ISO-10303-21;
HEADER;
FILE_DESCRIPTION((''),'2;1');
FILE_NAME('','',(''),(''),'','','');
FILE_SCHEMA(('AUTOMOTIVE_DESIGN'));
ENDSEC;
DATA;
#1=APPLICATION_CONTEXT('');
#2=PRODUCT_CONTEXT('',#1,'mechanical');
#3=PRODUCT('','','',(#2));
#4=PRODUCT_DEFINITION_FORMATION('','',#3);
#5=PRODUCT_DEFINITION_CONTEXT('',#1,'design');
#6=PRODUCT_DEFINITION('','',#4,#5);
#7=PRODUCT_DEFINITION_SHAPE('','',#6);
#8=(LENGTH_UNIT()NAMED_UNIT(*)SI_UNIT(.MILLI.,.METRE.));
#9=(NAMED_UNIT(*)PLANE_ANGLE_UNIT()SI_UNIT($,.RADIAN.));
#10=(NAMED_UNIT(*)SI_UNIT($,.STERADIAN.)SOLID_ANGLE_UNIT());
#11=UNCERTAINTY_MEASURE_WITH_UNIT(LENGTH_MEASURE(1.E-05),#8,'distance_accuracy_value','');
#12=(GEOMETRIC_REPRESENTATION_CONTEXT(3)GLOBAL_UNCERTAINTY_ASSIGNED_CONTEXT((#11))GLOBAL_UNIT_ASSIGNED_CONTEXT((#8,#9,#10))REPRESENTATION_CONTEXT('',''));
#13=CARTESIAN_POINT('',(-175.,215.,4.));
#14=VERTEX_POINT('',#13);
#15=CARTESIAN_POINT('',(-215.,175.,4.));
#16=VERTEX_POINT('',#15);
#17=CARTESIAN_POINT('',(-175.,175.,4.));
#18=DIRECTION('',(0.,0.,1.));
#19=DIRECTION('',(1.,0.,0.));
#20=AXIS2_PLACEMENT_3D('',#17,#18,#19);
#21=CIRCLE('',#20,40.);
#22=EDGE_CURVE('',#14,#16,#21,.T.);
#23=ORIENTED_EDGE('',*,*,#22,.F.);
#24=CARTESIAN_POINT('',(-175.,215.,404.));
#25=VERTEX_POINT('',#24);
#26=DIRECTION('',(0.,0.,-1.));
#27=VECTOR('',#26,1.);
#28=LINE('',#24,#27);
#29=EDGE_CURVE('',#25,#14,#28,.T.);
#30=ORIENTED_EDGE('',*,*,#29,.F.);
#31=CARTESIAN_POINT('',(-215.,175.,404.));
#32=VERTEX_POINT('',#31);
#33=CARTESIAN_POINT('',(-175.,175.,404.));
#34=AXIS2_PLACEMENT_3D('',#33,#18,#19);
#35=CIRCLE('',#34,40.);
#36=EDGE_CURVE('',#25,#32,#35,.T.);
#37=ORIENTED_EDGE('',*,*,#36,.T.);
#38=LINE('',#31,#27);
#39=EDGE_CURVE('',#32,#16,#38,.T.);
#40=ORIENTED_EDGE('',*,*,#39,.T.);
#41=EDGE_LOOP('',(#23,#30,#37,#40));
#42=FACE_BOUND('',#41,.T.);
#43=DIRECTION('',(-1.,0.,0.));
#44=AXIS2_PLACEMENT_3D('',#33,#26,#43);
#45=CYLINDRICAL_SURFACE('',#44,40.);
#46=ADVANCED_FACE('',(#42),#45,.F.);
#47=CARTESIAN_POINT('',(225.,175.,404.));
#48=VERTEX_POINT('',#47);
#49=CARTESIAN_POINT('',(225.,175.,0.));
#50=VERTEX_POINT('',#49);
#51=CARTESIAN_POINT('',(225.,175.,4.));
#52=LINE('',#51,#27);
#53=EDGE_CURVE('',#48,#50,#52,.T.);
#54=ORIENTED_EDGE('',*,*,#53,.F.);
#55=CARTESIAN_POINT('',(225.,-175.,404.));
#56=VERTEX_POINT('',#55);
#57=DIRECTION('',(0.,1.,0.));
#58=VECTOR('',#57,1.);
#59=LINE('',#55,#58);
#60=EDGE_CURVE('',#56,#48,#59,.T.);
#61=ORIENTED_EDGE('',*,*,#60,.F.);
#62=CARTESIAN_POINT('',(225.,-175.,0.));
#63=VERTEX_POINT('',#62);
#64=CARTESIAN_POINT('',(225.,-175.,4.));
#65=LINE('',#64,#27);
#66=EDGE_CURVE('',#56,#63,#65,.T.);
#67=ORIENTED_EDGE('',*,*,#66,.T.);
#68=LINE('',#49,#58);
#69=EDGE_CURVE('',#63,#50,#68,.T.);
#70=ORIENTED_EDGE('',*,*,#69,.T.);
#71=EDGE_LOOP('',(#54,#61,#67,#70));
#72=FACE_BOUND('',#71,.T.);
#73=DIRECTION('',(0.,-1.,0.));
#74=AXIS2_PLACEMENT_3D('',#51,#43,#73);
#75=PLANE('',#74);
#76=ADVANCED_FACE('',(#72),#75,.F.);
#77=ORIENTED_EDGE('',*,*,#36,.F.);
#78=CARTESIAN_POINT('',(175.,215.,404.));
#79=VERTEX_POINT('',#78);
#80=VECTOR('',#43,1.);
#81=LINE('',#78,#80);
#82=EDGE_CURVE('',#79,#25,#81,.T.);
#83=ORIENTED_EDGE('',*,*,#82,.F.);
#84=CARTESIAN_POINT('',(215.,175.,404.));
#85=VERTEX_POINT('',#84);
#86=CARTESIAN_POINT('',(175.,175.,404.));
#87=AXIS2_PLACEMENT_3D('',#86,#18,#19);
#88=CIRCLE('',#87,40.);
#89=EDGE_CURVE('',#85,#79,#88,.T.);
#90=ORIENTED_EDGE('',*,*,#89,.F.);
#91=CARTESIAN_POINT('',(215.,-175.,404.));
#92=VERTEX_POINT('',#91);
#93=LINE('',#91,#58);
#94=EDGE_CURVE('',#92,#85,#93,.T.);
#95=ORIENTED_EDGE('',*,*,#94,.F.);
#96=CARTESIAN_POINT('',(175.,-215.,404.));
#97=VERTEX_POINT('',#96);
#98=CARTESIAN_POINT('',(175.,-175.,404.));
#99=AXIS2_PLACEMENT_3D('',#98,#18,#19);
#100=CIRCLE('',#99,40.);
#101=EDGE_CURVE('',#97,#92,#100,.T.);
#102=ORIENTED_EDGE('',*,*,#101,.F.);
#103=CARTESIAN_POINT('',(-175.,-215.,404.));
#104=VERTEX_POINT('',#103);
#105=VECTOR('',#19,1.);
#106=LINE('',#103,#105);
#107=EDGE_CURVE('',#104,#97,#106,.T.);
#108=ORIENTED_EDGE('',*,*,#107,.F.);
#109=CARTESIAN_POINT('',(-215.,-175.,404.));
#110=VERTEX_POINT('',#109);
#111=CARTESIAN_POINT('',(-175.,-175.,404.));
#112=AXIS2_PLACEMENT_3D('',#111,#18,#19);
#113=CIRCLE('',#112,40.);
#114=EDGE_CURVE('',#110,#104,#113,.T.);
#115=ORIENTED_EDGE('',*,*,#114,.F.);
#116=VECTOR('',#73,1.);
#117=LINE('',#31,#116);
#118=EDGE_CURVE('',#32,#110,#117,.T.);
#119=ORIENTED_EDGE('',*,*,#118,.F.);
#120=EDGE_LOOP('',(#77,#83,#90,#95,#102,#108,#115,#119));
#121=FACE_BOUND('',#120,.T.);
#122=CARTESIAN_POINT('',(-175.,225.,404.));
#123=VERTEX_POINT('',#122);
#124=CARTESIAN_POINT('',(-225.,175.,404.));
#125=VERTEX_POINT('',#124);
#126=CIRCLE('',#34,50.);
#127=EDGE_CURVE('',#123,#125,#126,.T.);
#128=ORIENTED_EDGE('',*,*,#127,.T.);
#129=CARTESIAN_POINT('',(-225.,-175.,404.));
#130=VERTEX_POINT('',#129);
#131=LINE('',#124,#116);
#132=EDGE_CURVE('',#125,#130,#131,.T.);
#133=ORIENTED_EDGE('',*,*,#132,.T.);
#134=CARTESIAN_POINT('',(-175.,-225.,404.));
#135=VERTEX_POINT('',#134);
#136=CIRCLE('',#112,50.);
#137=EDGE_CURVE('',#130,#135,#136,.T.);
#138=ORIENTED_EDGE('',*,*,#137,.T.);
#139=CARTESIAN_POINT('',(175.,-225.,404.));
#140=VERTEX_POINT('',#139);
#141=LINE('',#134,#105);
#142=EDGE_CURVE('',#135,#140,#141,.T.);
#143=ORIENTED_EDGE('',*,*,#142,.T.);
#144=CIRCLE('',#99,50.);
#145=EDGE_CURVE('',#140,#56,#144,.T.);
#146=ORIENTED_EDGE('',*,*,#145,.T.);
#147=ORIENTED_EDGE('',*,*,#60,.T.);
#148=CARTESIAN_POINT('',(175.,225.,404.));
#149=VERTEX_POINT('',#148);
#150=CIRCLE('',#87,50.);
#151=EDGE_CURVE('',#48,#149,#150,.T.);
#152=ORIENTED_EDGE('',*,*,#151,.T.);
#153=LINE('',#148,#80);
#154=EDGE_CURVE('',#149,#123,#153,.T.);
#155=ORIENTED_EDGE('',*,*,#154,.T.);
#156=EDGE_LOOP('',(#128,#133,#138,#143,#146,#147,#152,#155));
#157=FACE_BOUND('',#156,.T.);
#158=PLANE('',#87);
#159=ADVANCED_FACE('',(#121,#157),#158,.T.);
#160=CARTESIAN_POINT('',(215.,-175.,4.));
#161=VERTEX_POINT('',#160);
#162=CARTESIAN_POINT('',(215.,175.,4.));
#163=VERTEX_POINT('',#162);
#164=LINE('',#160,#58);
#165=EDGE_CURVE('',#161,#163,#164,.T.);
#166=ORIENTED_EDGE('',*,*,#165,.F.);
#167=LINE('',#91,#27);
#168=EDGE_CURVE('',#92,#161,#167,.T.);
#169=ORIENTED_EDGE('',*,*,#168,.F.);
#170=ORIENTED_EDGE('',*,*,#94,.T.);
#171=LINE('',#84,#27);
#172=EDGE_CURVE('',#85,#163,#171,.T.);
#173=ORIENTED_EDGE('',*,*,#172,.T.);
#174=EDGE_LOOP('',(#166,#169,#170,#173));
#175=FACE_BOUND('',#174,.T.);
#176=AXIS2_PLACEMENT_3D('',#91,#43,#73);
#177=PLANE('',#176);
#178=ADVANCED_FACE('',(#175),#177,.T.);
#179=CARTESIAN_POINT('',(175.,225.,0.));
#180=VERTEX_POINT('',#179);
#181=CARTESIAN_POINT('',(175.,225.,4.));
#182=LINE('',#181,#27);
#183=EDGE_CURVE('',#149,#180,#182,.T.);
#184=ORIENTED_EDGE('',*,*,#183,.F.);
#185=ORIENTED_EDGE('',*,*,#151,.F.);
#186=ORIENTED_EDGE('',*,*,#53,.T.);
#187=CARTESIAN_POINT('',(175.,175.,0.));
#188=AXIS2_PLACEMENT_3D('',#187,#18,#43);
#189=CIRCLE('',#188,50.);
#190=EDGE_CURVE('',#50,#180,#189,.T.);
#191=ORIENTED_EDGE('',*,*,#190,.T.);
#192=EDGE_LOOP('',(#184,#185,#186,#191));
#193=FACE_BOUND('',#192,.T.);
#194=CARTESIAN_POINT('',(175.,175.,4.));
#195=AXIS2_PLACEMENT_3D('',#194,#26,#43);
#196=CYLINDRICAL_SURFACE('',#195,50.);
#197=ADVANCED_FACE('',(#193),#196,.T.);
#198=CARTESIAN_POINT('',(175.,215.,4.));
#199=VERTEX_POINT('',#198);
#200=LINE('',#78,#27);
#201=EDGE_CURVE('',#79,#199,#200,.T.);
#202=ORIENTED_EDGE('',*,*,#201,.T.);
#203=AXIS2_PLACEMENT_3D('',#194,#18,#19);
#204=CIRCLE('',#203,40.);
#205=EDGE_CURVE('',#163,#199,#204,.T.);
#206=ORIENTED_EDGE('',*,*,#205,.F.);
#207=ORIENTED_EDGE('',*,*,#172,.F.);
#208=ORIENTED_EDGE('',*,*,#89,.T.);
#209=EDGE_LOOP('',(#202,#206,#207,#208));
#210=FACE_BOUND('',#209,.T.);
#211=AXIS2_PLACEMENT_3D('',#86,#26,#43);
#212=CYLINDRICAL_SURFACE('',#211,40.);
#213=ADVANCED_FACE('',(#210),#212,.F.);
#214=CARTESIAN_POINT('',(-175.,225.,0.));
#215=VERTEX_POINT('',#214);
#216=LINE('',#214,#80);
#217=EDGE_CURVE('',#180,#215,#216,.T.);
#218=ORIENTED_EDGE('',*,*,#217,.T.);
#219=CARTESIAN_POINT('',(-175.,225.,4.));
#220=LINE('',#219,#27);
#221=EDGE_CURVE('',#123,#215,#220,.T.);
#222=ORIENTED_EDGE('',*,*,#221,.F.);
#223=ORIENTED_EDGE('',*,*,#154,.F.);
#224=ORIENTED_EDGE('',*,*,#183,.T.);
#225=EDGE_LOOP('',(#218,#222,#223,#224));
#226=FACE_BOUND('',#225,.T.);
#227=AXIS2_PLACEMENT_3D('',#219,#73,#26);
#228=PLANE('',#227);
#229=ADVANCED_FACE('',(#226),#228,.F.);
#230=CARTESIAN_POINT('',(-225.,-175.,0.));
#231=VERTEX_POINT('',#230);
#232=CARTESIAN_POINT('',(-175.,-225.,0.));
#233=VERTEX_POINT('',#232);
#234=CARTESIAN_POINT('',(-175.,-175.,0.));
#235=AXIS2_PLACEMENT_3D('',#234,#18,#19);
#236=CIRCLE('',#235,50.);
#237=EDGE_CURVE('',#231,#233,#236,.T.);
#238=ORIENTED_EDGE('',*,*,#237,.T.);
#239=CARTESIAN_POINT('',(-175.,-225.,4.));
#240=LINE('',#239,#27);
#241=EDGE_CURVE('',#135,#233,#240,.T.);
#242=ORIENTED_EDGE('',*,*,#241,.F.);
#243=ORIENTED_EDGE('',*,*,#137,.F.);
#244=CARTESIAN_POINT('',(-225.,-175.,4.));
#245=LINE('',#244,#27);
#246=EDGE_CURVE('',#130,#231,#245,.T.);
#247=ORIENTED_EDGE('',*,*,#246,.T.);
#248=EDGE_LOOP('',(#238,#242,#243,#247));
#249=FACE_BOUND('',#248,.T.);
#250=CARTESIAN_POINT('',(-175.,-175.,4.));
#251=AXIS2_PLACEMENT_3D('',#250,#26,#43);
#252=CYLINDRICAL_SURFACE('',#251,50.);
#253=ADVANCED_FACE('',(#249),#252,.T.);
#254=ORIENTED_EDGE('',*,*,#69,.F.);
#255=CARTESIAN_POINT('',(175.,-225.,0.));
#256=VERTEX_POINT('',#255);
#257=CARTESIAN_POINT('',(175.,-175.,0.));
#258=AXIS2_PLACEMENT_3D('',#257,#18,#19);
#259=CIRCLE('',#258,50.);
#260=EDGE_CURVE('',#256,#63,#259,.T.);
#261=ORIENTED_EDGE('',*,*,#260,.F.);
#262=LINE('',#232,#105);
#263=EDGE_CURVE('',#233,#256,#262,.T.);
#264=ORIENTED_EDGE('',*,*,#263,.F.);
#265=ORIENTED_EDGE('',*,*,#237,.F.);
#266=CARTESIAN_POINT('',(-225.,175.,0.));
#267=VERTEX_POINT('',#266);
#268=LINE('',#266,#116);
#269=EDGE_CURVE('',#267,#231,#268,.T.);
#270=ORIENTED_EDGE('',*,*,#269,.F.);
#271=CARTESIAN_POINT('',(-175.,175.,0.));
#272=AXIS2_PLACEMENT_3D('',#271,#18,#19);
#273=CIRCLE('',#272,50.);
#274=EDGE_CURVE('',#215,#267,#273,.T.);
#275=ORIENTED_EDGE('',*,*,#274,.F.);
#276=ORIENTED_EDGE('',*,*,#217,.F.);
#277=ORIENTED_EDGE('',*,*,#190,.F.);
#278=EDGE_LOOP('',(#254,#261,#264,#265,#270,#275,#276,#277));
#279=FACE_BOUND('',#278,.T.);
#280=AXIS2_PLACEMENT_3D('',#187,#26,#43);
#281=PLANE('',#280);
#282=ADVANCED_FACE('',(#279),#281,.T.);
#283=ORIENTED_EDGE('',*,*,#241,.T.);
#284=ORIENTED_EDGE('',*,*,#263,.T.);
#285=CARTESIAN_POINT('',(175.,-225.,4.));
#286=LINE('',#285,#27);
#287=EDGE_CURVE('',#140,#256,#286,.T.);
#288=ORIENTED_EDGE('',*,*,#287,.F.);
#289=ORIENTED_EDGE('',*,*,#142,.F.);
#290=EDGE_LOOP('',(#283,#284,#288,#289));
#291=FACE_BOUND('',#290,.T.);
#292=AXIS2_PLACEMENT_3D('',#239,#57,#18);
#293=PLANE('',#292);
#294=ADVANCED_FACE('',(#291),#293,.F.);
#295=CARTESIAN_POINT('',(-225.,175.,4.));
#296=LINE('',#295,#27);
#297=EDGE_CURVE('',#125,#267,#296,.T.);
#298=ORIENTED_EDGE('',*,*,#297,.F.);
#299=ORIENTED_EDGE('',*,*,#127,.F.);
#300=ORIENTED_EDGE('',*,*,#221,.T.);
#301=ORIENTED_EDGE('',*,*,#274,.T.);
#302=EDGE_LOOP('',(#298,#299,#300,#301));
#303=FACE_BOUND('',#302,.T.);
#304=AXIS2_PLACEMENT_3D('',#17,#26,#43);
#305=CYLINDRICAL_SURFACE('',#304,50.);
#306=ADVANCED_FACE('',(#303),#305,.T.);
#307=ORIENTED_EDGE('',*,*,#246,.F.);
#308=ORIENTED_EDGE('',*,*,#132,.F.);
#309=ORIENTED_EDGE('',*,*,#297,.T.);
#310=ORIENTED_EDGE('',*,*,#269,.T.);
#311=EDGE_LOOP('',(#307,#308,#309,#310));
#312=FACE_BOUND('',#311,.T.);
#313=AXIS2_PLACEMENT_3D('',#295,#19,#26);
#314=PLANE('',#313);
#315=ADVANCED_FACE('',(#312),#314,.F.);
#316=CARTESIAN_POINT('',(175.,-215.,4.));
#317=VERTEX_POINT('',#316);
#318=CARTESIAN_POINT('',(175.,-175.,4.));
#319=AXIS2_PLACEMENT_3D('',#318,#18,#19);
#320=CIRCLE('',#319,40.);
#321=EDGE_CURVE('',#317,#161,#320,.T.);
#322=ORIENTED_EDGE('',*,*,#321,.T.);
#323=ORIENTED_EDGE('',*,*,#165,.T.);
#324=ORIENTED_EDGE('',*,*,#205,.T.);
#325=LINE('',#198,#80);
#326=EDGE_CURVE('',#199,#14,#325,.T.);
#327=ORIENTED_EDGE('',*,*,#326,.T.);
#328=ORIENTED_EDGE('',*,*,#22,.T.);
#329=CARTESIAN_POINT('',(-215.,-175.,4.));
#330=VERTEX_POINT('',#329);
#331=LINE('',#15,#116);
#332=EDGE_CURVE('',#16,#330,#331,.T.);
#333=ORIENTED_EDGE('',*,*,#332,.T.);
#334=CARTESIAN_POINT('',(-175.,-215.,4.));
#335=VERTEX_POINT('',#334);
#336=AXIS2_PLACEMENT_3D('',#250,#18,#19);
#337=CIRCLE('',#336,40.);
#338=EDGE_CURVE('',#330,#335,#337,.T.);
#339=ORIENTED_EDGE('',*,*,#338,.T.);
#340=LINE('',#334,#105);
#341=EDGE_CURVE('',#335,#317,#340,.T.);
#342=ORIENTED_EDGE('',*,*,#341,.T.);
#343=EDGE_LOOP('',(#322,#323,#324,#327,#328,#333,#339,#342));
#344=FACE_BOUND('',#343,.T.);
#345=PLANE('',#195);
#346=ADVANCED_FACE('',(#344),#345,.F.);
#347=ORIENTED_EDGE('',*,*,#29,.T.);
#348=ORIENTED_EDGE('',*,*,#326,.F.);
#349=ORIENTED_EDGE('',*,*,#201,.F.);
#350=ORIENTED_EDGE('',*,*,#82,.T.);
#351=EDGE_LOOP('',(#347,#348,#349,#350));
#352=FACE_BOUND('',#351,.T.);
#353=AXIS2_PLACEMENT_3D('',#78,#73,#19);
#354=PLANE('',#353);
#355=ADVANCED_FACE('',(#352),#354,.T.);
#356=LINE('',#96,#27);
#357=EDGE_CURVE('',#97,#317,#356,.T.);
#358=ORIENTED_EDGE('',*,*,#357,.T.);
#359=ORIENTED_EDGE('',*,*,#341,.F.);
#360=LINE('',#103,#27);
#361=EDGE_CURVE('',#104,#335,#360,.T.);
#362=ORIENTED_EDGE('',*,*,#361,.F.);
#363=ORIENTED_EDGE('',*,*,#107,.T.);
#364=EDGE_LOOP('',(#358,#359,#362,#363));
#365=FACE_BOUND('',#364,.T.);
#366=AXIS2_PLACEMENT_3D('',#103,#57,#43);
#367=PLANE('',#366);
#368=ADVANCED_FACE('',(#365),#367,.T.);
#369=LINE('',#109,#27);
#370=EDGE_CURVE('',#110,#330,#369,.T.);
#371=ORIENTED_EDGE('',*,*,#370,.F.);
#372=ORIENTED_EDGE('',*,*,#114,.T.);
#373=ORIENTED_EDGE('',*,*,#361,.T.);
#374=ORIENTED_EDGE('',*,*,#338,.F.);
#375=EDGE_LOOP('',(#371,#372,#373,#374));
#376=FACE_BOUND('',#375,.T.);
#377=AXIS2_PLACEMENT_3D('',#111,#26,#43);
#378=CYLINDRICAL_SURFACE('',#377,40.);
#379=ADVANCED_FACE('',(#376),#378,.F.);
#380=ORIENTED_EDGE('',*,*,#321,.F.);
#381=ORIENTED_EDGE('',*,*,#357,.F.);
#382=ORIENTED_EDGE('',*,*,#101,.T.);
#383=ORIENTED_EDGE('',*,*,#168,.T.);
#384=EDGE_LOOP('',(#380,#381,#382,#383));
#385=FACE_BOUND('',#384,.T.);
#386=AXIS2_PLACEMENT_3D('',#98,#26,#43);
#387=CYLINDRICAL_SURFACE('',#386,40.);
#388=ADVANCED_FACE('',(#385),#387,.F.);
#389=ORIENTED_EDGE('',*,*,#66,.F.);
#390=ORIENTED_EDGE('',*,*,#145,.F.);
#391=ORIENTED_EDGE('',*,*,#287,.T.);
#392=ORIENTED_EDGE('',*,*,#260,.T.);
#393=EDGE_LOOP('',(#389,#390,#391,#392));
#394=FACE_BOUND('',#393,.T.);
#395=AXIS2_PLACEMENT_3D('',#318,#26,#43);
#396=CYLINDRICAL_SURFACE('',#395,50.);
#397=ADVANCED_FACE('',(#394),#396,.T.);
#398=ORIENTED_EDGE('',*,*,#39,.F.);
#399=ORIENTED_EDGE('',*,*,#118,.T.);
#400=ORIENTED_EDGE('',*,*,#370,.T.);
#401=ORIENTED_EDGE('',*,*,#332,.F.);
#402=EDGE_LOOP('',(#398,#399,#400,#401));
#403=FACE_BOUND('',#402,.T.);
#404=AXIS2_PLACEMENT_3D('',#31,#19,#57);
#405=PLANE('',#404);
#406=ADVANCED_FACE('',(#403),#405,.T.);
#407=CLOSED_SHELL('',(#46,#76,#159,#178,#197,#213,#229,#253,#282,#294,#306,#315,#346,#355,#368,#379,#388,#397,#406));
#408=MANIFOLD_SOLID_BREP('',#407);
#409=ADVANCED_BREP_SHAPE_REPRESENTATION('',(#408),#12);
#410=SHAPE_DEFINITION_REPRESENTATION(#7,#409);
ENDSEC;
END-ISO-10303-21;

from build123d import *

# Parameters (mm, degrees)
BOSS_EXTRUDE1_DEPTH = 4
BOSS_EXTRUDE2_DEPTH = 400


with BuildPart() as part:
    # Sketch1 → Boss-Extrude1 (new body)
    with BuildSketch(Plane.XY):
        with BuildLine():
            Line((-175, 225), (175, 225))
            ThreePointArc((175, 225), (210.355339059, 210.355339059), (225, 175))
            Line((225, 175), (225, -175))
            ThreePointArc((225, -175), (210.355339059, -210.355339059), (175, -225))
            Line((175, -225), (-175, -225))
            ThreePointArc((-175, -225), (-210.355339059, -210.355339059), (-225, -175))
            Line((-225, -175), (-225, 175))
            ThreePointArc((-225, 175), (-210.355339059, 210.355339059), (-175, 225))
        make_face()
    extrude(amount=BOSS_EXTRUDE1_DEPTH)

    # Sketch2 → Boss-Extrude2 (add)
    with BuildSketch(Plane.XY.offset(4)):
        with BuildLine():
            Line((175, 225), (-175, 225))
            ThreePointArc((-175, 225), (-210.355339059, 210.355339059), (-225, 175))
            Line((-225, 175), (-225, -175))
            ThreePointArc((-225, -175), (-210.355339059, -210.355339059), (-175, -225))
            Line((-175, -225), (175, -225))
            ThreePointArc((175, -225), (210.355339059, -210.355339059), (225, -175))
            Line((225, -175), (225, 175))
            ThreePointArc((225, 175), (210.355339059, 210.355339059), (175, 225))
        make_face()
        with BuildLine():
            Line((-215, 175), (-215, -175))
            ThreePointArc((-215, -175), (-203.284271247, -203.284271247), (-175, -215))
            Line((-175, -215), (175, -215))
            ThreePointArc((175, -215), (203.284271247, -203.284271247), (215, -175))
            Line((215, -175), (215, 175))
            ThreePointArc((215, 175), (203.284271247, 203.284271247), (175, 215))
            Line((175, 215), (-175, 215))
            ThreePointArc((-175, 215), (-203.284271247, 203.284271247), (-215, 175))
        make_face(mode=Mode.SUBTRACT)
    extrude(amount=BOSS_EXTRUDE2_DEPTH)


solid = part.part
